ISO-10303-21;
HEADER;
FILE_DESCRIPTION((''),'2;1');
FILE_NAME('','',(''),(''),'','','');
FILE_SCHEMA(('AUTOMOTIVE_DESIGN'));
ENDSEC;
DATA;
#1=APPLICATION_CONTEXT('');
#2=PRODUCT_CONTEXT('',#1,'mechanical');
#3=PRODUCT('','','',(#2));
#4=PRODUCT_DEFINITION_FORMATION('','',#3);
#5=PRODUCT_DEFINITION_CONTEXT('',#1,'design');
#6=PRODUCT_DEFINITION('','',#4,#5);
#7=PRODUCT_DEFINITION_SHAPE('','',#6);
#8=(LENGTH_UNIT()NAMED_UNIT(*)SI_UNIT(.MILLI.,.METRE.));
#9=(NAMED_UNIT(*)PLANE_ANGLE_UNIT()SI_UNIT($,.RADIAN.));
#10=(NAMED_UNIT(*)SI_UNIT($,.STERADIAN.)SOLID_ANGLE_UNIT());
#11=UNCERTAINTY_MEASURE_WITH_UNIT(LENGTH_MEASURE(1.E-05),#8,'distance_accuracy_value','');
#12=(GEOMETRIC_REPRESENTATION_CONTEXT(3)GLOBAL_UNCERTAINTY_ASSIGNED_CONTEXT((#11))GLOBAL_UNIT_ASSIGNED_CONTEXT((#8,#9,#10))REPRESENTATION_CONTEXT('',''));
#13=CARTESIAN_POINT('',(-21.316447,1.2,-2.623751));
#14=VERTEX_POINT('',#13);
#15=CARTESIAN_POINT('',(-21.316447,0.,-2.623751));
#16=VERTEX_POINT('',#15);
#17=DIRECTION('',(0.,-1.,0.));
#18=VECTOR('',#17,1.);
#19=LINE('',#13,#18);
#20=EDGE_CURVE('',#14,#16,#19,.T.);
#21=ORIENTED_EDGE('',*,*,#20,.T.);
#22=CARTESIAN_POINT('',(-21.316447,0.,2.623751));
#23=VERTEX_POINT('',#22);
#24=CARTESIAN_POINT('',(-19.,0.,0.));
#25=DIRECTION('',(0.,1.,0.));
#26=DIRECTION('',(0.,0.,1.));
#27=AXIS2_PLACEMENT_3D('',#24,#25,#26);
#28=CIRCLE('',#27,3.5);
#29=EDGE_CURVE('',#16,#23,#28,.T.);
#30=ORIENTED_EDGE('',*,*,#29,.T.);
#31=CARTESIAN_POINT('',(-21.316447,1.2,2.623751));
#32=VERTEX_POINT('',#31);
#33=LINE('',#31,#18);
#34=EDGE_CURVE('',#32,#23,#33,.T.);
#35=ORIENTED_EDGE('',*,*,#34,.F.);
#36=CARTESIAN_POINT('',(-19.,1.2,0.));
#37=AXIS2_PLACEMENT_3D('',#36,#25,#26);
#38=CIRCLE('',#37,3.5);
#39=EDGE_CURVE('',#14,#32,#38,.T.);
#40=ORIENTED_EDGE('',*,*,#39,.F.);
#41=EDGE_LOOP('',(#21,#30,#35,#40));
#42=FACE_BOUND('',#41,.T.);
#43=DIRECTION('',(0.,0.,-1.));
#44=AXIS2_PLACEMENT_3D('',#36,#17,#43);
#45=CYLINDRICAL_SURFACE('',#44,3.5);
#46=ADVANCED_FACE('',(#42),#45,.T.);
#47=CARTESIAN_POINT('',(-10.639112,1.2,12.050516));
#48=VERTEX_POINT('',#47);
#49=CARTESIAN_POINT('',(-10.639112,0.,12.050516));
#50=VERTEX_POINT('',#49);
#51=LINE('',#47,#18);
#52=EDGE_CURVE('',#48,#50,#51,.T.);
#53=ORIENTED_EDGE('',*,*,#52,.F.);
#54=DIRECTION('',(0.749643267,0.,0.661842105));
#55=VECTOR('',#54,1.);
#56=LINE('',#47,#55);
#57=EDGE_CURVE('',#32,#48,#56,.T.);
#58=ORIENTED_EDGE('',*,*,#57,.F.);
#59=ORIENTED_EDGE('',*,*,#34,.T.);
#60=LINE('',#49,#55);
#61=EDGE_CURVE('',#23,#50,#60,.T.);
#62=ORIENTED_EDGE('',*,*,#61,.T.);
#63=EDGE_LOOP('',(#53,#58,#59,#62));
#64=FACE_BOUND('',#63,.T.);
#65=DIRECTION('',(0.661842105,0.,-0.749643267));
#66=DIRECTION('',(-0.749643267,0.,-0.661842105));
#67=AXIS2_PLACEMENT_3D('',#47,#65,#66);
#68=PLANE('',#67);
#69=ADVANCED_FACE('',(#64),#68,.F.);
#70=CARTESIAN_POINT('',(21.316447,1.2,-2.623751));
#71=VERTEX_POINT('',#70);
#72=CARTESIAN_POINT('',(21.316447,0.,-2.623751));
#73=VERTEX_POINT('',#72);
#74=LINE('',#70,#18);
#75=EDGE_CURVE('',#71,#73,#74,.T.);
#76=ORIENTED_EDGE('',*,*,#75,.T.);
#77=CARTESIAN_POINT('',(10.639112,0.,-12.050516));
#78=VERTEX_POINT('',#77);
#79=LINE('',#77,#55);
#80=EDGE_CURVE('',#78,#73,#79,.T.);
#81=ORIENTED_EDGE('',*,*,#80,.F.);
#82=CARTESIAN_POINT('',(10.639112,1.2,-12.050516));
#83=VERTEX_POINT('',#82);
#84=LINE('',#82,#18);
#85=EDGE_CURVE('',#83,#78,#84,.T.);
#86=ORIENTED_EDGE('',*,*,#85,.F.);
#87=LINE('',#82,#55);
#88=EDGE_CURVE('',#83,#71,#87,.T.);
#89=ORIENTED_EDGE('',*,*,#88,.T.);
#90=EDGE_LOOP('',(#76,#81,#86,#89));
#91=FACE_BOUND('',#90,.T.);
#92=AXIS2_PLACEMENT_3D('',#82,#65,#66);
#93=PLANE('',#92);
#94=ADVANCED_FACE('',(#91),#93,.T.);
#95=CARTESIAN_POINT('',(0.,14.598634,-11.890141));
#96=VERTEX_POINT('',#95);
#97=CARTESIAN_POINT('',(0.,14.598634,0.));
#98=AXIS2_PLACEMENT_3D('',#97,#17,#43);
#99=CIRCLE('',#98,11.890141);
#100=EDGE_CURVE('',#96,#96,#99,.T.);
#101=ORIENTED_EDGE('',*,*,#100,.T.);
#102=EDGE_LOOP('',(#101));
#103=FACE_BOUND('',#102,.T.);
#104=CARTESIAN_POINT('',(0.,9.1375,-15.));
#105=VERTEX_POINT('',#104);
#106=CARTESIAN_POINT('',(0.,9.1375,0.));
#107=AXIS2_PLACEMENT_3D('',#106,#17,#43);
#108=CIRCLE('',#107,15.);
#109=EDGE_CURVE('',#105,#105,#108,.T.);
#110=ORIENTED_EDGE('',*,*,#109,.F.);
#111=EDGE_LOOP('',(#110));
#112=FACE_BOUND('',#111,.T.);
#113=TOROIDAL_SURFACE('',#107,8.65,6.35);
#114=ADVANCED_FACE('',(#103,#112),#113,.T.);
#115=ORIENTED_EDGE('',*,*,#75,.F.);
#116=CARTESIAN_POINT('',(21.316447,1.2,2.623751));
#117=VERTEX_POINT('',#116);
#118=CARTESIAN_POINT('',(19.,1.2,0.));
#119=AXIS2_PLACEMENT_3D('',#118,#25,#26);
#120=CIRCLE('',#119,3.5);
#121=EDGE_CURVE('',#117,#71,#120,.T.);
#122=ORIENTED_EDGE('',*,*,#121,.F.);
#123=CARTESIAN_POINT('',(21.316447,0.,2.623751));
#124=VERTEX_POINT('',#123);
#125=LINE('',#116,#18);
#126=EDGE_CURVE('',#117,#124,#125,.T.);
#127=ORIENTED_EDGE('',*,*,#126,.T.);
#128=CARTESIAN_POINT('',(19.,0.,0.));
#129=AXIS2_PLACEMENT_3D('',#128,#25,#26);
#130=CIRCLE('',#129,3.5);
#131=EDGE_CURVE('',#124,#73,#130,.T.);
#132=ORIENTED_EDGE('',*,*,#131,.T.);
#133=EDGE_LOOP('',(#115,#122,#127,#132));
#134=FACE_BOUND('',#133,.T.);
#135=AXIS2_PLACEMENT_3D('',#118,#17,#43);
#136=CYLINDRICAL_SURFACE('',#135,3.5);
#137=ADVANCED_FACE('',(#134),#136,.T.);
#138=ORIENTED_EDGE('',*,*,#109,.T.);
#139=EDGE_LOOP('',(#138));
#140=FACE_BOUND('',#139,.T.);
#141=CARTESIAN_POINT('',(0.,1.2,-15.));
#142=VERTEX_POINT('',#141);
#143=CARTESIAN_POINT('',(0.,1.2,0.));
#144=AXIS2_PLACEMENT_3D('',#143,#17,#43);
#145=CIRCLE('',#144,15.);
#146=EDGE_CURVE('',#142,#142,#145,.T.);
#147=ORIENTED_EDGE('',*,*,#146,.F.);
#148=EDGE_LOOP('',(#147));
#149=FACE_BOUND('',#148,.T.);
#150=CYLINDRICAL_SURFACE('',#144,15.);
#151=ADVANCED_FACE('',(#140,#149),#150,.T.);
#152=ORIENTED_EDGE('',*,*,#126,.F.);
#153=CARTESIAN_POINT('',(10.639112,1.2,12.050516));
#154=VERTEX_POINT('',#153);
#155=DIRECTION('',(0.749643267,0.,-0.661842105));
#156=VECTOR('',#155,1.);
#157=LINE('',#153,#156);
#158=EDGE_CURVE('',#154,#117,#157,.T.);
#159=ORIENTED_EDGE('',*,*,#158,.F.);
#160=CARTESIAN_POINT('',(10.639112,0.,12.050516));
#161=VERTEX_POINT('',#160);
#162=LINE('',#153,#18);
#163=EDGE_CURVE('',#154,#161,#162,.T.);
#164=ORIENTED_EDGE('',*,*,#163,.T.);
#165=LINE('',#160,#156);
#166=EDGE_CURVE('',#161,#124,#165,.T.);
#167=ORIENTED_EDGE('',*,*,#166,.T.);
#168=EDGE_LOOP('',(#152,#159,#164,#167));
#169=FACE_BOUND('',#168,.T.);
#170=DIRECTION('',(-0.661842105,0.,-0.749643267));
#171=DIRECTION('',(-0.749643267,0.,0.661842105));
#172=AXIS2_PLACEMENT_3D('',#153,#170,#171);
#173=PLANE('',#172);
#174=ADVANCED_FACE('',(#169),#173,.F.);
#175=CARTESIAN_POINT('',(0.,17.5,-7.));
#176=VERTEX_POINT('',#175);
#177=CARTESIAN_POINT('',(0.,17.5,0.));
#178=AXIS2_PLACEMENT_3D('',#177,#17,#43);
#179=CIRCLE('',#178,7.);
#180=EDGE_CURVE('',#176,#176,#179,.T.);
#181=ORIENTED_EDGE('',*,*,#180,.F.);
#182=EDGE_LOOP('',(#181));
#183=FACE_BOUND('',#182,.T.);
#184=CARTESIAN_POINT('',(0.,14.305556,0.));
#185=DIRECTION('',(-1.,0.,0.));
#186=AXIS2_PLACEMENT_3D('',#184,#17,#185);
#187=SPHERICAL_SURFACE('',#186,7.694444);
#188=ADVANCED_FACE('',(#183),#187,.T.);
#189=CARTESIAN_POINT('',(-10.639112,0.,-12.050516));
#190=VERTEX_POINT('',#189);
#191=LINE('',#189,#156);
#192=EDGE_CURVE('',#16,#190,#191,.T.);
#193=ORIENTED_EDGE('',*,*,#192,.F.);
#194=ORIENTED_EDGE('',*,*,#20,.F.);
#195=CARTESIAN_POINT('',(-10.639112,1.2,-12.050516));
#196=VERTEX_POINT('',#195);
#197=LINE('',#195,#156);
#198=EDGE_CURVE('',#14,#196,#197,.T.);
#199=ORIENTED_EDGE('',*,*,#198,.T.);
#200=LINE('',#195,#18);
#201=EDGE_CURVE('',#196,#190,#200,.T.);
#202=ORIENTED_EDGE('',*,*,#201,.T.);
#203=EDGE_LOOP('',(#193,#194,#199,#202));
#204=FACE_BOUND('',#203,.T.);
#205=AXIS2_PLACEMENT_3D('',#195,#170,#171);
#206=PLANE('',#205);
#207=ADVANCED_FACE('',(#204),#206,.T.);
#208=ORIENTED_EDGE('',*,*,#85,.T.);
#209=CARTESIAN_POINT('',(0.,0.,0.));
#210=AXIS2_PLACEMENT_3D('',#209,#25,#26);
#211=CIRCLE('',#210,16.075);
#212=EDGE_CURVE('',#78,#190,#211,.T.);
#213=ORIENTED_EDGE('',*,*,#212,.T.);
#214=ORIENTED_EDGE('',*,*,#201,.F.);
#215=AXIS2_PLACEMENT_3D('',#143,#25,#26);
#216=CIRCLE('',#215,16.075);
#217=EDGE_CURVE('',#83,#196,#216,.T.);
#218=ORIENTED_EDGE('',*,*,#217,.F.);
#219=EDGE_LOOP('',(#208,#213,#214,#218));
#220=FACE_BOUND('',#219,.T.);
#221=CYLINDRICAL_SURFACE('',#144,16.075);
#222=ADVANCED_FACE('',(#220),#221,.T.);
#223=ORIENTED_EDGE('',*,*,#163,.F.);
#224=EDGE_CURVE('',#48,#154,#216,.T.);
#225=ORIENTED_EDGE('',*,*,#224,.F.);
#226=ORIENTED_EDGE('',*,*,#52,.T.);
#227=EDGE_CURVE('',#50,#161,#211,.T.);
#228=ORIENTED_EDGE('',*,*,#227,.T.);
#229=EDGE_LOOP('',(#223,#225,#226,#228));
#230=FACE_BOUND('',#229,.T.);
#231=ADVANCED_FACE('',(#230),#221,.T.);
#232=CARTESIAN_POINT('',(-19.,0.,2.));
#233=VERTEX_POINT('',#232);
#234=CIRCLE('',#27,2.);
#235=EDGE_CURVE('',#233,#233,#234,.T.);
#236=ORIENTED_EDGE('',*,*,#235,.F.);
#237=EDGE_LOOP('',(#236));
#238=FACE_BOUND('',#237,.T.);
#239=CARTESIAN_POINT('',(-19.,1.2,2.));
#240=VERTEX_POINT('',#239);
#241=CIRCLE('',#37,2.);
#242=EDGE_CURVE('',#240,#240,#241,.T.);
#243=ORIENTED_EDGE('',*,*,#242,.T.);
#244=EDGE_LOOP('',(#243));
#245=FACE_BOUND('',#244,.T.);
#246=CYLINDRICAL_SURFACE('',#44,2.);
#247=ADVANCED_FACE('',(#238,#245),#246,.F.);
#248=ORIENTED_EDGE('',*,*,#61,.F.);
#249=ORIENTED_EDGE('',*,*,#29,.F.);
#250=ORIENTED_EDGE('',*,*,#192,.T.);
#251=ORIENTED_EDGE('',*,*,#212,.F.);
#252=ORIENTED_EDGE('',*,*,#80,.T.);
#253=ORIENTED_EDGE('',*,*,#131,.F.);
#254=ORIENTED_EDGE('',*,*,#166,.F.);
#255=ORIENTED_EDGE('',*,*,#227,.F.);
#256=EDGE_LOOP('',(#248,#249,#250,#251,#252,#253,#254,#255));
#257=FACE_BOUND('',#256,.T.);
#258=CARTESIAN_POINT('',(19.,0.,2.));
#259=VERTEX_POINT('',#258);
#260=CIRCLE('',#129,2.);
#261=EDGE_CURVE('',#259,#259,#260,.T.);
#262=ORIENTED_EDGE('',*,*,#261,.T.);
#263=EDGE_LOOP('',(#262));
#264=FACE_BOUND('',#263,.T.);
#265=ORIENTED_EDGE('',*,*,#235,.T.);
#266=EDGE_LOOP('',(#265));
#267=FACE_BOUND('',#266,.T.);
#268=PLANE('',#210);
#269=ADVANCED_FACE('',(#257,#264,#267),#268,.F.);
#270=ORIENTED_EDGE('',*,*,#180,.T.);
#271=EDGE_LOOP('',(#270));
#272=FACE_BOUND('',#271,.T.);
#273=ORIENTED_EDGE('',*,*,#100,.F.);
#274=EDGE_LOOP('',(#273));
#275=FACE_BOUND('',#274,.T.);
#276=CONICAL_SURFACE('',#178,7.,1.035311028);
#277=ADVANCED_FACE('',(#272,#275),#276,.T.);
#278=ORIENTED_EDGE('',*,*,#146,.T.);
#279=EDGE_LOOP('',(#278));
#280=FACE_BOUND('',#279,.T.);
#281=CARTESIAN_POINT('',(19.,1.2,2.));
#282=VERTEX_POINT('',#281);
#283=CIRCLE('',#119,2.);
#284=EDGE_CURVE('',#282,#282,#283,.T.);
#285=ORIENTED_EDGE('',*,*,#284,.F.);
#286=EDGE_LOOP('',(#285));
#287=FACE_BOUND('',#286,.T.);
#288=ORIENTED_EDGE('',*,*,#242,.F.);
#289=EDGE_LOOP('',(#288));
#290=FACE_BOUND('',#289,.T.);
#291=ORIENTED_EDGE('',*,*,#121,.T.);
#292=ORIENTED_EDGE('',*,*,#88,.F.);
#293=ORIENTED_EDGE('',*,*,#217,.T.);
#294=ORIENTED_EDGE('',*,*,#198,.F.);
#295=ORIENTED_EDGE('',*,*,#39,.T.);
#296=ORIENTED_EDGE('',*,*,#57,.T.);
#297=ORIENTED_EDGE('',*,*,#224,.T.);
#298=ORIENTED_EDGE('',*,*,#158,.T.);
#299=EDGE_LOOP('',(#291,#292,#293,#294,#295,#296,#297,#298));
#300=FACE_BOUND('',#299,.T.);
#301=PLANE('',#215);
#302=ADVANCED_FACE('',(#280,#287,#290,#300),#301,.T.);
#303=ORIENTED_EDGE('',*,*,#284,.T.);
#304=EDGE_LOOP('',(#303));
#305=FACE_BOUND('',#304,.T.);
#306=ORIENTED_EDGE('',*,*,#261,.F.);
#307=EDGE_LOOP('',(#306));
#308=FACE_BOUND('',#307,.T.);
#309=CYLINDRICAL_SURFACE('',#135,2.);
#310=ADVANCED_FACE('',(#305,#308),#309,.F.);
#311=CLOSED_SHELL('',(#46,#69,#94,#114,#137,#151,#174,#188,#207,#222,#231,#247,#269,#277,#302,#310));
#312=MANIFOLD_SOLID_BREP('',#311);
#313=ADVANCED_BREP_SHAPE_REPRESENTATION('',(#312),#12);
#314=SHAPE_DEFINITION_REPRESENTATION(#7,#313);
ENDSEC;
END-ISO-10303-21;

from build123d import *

# Parameters (mm, degrees)
SKETCH1_R           = 2
BOSS_EXTRUDE1_DEPTH = 1.2


with BuildPart() as part:
    # Sketch1 → Boss-Extrude1 (new body)
    with BuildSketch(Plane(origin=(0, 0, 0), x_dir=(1, 0, 0), z_dir=(0, 1, 0))):
        with BuildLine():
            ThreePointArc((-10.639111842, -12.050515516), (0, -16.075), (10.639111842, -12.050515516))
            Line((10.639111842, -12.050515516), (21.316447368, -2.623751434))
            ThreePointArc((21.316447368, -2.623751434), (22.5, 0), (21.316447368, 2.623751434))
            Line((21.316447368, 2.623751434), (10.639111842, 12.050515516))
            ThreePointArc((10.639111842, 12.050515516), (0, 16.075), (-10.639111842, 12.050515516))
            Line((-10.639111842, 12.050515516), (-21.316447368, 2.623751434))
            ThreePointArc((-21.316447368, 2.623751434), (-22.5, 0), (-21.316447368, -2.623751434))
            Line((-21.316447368, -2.623751434), (-10.639111842, -12.050515516))
        make_face()
        with Locations(Location((-19, 0, 0), (0, 0, 270))):
            Circle(SKETCH1_R, mode=Mode.SUBTRACT)
        with Locations(Location((19, 0, 0), (0, 0, 270))):
            Circle(SKETCH1_R, mode=Mode.SUBTRACT)
    extrude(amount=BOSS_EXTRUDE1_DEPTH)

    # Sketch3 → Revolve1 (revolve)
    with BuildSketch(Plane.XY, mode=Mode.PRIVATE) as revolve1_sk:
        with BuildLine():
            Line((-15, 1.2), (-15, 9.1375))
            ThreePointArc((-15, 9.1375), (-14.168033936, 12.279760569), (-11.890141265, 14.598634001))
            Line((-11.890141265, 14.598634001), (-7, 17.5))
            ThreePointArc((-7, 17.5), (-4.160829244, 20.777956602), (0, 22))
            Line((0, 22), (0, 1.2))
            Line((0, 1.2), (-15, 1.2))
        make_face()
    revolve(revolve1_sk.sketch.rotate(Axis((0, 1.2, 0), (0, 1, 0)), 270), axis=Axis((0, 1.2, 0), (0, 1, 0)))


solid = part.part
